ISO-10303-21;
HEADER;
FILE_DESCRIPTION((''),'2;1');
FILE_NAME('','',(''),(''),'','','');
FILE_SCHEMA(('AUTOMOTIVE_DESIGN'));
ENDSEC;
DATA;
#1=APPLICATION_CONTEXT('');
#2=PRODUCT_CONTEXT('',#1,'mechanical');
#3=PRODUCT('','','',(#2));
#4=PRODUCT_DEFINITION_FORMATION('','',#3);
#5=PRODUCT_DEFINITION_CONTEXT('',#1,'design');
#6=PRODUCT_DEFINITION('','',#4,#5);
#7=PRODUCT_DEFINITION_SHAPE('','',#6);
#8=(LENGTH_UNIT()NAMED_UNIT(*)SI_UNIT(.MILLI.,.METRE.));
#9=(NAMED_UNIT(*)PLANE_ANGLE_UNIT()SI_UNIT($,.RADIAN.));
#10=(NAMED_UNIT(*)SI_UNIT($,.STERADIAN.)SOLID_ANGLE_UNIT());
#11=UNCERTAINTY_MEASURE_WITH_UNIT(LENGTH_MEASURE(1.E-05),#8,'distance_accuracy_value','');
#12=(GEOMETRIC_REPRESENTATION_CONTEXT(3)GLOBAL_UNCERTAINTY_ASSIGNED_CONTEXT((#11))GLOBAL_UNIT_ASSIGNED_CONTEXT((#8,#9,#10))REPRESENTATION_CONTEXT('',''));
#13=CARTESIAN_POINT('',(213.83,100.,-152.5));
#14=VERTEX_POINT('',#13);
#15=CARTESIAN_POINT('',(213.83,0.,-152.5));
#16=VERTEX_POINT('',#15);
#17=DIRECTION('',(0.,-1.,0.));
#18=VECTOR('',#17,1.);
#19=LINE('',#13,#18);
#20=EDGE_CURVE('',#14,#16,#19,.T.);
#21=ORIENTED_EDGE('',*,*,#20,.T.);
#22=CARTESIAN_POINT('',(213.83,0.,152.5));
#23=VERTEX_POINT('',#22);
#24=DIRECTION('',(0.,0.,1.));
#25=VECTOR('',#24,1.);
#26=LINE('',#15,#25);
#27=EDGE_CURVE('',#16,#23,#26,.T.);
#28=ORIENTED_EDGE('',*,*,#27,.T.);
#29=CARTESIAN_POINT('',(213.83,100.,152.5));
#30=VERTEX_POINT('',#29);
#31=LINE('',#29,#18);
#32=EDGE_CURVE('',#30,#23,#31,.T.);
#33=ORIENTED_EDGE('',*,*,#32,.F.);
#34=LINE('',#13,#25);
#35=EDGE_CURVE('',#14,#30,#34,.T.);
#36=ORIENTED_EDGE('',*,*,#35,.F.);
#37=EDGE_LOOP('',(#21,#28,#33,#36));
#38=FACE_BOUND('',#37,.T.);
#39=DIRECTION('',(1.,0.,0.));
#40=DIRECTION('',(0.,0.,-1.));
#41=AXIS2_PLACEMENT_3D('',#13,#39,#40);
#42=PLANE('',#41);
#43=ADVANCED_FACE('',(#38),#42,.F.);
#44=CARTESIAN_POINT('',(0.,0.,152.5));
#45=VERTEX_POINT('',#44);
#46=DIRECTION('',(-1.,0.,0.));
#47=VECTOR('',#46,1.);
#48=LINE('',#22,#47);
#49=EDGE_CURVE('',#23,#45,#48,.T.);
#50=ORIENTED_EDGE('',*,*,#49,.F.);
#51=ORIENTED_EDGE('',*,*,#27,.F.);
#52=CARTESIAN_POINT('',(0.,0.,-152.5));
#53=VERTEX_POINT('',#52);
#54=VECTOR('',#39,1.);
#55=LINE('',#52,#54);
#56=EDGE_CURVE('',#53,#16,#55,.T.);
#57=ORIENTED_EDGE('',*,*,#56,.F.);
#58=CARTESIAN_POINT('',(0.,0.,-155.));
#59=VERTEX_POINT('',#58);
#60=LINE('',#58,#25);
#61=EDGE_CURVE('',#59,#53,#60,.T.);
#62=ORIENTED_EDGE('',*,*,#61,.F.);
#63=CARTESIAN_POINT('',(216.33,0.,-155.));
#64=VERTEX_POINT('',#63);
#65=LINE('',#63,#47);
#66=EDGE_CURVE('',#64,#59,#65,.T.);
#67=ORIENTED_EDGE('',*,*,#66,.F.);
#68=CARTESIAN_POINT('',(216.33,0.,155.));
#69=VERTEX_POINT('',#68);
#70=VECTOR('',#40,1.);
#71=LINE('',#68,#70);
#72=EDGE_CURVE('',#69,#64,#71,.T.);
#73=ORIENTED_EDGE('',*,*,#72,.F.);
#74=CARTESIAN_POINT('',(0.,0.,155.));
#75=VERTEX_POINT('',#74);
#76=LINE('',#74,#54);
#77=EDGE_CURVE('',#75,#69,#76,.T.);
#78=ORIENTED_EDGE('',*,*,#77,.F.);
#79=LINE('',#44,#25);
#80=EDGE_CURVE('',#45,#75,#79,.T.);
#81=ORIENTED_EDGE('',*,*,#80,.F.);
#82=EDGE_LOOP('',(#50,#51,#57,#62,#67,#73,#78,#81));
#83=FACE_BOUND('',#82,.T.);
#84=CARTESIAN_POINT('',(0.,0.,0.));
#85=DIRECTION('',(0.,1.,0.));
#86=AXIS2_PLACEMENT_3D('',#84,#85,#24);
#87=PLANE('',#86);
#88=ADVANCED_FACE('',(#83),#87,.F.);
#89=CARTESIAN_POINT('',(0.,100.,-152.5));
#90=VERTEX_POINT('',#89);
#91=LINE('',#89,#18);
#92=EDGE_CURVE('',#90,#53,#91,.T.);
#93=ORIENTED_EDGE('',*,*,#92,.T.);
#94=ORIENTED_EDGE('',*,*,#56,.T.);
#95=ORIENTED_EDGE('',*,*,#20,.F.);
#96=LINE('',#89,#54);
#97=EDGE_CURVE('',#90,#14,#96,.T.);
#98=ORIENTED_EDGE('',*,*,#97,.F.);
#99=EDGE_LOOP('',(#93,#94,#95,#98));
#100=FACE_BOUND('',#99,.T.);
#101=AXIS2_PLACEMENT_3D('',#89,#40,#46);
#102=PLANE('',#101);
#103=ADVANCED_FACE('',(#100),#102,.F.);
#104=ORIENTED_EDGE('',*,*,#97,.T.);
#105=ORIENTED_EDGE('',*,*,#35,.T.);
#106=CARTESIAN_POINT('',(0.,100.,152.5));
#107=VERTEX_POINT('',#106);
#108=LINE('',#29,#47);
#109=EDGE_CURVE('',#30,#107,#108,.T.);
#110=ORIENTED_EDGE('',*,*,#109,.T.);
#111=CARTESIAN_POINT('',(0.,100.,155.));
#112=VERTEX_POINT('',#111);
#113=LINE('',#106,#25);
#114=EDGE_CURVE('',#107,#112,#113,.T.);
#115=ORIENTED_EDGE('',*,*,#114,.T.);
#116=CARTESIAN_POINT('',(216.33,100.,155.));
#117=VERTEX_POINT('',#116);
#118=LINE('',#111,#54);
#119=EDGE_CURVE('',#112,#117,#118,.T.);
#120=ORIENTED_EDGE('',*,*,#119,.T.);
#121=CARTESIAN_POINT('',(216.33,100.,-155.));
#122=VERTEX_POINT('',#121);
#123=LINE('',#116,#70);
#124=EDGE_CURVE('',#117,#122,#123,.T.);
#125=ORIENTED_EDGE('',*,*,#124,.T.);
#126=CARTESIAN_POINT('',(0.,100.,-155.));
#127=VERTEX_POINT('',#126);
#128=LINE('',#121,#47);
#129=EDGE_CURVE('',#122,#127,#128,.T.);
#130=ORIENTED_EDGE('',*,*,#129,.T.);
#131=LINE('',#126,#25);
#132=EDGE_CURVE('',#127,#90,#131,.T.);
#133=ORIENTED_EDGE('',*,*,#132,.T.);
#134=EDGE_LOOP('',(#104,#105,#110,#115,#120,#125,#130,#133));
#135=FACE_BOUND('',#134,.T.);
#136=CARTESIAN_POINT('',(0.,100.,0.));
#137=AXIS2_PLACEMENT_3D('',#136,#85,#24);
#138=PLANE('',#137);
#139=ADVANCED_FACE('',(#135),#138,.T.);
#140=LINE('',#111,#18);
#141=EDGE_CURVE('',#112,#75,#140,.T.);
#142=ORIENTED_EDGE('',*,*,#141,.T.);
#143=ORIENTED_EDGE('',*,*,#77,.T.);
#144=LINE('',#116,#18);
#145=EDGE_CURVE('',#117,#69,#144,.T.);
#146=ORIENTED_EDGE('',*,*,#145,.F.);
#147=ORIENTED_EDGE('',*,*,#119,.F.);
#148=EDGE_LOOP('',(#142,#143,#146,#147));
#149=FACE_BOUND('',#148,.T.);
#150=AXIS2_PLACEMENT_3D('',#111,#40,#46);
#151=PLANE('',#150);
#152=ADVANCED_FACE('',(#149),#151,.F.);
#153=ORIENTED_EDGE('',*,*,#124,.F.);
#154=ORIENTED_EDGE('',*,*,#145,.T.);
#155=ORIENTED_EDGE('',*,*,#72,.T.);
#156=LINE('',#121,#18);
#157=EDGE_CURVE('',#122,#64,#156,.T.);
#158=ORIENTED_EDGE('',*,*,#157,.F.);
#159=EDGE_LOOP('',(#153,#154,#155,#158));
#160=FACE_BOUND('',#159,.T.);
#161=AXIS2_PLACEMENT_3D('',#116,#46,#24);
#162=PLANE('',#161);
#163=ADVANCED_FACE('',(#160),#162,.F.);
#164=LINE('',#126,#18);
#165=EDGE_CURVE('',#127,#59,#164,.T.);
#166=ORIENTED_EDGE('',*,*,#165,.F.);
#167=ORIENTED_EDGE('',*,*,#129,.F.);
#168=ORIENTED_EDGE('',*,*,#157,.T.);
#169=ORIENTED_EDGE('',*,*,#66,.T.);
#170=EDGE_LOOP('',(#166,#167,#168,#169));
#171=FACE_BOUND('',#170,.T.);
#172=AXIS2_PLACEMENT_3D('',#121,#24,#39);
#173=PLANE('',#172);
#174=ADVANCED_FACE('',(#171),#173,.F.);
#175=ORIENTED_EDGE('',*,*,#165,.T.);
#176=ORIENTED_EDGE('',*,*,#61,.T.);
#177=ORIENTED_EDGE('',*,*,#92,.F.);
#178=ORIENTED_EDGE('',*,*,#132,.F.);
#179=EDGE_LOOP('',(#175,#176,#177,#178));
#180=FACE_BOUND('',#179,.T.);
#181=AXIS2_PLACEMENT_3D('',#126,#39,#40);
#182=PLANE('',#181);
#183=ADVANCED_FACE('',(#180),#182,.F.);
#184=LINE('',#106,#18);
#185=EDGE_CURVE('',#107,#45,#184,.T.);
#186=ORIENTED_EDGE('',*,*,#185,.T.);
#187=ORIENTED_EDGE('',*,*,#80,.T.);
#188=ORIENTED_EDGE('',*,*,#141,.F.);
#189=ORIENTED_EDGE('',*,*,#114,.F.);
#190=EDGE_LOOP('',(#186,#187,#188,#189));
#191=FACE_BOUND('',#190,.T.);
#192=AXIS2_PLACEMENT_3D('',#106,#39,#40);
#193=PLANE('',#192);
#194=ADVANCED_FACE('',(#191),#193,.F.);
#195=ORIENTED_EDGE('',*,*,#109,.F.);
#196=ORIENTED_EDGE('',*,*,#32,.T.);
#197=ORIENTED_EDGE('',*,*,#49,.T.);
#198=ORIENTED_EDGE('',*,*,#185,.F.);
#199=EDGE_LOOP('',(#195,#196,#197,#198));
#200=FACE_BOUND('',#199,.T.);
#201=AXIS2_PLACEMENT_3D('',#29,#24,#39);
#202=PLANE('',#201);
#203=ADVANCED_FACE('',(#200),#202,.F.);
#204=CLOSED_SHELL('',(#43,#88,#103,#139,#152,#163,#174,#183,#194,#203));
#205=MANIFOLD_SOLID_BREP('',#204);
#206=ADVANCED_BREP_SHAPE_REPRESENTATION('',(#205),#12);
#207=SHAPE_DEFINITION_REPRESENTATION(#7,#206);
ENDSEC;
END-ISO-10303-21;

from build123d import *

# Parameters (mm, degrees)
SALIENTE_EXTRUIR1_DEPTH = 100


with BuildPart() as part:
    # Croquis1 → Saliente-Extruir1 (new body)
    with BuildSketch(Plane(origin=(0, 0, 0), x_dir=(1, 0, 0), z_dir=(0, 1, 0))):
        Polygon((0, 152.5), (213.83, 152.5), (213.83, -152.5), (0, -152.5), (0, -155), (216.33, -155), (216.33, 155), (0, 155), align=None)
    extrude(amount=SALIENTE_EXTRUIR1_DEPTH)


solid = part.part
